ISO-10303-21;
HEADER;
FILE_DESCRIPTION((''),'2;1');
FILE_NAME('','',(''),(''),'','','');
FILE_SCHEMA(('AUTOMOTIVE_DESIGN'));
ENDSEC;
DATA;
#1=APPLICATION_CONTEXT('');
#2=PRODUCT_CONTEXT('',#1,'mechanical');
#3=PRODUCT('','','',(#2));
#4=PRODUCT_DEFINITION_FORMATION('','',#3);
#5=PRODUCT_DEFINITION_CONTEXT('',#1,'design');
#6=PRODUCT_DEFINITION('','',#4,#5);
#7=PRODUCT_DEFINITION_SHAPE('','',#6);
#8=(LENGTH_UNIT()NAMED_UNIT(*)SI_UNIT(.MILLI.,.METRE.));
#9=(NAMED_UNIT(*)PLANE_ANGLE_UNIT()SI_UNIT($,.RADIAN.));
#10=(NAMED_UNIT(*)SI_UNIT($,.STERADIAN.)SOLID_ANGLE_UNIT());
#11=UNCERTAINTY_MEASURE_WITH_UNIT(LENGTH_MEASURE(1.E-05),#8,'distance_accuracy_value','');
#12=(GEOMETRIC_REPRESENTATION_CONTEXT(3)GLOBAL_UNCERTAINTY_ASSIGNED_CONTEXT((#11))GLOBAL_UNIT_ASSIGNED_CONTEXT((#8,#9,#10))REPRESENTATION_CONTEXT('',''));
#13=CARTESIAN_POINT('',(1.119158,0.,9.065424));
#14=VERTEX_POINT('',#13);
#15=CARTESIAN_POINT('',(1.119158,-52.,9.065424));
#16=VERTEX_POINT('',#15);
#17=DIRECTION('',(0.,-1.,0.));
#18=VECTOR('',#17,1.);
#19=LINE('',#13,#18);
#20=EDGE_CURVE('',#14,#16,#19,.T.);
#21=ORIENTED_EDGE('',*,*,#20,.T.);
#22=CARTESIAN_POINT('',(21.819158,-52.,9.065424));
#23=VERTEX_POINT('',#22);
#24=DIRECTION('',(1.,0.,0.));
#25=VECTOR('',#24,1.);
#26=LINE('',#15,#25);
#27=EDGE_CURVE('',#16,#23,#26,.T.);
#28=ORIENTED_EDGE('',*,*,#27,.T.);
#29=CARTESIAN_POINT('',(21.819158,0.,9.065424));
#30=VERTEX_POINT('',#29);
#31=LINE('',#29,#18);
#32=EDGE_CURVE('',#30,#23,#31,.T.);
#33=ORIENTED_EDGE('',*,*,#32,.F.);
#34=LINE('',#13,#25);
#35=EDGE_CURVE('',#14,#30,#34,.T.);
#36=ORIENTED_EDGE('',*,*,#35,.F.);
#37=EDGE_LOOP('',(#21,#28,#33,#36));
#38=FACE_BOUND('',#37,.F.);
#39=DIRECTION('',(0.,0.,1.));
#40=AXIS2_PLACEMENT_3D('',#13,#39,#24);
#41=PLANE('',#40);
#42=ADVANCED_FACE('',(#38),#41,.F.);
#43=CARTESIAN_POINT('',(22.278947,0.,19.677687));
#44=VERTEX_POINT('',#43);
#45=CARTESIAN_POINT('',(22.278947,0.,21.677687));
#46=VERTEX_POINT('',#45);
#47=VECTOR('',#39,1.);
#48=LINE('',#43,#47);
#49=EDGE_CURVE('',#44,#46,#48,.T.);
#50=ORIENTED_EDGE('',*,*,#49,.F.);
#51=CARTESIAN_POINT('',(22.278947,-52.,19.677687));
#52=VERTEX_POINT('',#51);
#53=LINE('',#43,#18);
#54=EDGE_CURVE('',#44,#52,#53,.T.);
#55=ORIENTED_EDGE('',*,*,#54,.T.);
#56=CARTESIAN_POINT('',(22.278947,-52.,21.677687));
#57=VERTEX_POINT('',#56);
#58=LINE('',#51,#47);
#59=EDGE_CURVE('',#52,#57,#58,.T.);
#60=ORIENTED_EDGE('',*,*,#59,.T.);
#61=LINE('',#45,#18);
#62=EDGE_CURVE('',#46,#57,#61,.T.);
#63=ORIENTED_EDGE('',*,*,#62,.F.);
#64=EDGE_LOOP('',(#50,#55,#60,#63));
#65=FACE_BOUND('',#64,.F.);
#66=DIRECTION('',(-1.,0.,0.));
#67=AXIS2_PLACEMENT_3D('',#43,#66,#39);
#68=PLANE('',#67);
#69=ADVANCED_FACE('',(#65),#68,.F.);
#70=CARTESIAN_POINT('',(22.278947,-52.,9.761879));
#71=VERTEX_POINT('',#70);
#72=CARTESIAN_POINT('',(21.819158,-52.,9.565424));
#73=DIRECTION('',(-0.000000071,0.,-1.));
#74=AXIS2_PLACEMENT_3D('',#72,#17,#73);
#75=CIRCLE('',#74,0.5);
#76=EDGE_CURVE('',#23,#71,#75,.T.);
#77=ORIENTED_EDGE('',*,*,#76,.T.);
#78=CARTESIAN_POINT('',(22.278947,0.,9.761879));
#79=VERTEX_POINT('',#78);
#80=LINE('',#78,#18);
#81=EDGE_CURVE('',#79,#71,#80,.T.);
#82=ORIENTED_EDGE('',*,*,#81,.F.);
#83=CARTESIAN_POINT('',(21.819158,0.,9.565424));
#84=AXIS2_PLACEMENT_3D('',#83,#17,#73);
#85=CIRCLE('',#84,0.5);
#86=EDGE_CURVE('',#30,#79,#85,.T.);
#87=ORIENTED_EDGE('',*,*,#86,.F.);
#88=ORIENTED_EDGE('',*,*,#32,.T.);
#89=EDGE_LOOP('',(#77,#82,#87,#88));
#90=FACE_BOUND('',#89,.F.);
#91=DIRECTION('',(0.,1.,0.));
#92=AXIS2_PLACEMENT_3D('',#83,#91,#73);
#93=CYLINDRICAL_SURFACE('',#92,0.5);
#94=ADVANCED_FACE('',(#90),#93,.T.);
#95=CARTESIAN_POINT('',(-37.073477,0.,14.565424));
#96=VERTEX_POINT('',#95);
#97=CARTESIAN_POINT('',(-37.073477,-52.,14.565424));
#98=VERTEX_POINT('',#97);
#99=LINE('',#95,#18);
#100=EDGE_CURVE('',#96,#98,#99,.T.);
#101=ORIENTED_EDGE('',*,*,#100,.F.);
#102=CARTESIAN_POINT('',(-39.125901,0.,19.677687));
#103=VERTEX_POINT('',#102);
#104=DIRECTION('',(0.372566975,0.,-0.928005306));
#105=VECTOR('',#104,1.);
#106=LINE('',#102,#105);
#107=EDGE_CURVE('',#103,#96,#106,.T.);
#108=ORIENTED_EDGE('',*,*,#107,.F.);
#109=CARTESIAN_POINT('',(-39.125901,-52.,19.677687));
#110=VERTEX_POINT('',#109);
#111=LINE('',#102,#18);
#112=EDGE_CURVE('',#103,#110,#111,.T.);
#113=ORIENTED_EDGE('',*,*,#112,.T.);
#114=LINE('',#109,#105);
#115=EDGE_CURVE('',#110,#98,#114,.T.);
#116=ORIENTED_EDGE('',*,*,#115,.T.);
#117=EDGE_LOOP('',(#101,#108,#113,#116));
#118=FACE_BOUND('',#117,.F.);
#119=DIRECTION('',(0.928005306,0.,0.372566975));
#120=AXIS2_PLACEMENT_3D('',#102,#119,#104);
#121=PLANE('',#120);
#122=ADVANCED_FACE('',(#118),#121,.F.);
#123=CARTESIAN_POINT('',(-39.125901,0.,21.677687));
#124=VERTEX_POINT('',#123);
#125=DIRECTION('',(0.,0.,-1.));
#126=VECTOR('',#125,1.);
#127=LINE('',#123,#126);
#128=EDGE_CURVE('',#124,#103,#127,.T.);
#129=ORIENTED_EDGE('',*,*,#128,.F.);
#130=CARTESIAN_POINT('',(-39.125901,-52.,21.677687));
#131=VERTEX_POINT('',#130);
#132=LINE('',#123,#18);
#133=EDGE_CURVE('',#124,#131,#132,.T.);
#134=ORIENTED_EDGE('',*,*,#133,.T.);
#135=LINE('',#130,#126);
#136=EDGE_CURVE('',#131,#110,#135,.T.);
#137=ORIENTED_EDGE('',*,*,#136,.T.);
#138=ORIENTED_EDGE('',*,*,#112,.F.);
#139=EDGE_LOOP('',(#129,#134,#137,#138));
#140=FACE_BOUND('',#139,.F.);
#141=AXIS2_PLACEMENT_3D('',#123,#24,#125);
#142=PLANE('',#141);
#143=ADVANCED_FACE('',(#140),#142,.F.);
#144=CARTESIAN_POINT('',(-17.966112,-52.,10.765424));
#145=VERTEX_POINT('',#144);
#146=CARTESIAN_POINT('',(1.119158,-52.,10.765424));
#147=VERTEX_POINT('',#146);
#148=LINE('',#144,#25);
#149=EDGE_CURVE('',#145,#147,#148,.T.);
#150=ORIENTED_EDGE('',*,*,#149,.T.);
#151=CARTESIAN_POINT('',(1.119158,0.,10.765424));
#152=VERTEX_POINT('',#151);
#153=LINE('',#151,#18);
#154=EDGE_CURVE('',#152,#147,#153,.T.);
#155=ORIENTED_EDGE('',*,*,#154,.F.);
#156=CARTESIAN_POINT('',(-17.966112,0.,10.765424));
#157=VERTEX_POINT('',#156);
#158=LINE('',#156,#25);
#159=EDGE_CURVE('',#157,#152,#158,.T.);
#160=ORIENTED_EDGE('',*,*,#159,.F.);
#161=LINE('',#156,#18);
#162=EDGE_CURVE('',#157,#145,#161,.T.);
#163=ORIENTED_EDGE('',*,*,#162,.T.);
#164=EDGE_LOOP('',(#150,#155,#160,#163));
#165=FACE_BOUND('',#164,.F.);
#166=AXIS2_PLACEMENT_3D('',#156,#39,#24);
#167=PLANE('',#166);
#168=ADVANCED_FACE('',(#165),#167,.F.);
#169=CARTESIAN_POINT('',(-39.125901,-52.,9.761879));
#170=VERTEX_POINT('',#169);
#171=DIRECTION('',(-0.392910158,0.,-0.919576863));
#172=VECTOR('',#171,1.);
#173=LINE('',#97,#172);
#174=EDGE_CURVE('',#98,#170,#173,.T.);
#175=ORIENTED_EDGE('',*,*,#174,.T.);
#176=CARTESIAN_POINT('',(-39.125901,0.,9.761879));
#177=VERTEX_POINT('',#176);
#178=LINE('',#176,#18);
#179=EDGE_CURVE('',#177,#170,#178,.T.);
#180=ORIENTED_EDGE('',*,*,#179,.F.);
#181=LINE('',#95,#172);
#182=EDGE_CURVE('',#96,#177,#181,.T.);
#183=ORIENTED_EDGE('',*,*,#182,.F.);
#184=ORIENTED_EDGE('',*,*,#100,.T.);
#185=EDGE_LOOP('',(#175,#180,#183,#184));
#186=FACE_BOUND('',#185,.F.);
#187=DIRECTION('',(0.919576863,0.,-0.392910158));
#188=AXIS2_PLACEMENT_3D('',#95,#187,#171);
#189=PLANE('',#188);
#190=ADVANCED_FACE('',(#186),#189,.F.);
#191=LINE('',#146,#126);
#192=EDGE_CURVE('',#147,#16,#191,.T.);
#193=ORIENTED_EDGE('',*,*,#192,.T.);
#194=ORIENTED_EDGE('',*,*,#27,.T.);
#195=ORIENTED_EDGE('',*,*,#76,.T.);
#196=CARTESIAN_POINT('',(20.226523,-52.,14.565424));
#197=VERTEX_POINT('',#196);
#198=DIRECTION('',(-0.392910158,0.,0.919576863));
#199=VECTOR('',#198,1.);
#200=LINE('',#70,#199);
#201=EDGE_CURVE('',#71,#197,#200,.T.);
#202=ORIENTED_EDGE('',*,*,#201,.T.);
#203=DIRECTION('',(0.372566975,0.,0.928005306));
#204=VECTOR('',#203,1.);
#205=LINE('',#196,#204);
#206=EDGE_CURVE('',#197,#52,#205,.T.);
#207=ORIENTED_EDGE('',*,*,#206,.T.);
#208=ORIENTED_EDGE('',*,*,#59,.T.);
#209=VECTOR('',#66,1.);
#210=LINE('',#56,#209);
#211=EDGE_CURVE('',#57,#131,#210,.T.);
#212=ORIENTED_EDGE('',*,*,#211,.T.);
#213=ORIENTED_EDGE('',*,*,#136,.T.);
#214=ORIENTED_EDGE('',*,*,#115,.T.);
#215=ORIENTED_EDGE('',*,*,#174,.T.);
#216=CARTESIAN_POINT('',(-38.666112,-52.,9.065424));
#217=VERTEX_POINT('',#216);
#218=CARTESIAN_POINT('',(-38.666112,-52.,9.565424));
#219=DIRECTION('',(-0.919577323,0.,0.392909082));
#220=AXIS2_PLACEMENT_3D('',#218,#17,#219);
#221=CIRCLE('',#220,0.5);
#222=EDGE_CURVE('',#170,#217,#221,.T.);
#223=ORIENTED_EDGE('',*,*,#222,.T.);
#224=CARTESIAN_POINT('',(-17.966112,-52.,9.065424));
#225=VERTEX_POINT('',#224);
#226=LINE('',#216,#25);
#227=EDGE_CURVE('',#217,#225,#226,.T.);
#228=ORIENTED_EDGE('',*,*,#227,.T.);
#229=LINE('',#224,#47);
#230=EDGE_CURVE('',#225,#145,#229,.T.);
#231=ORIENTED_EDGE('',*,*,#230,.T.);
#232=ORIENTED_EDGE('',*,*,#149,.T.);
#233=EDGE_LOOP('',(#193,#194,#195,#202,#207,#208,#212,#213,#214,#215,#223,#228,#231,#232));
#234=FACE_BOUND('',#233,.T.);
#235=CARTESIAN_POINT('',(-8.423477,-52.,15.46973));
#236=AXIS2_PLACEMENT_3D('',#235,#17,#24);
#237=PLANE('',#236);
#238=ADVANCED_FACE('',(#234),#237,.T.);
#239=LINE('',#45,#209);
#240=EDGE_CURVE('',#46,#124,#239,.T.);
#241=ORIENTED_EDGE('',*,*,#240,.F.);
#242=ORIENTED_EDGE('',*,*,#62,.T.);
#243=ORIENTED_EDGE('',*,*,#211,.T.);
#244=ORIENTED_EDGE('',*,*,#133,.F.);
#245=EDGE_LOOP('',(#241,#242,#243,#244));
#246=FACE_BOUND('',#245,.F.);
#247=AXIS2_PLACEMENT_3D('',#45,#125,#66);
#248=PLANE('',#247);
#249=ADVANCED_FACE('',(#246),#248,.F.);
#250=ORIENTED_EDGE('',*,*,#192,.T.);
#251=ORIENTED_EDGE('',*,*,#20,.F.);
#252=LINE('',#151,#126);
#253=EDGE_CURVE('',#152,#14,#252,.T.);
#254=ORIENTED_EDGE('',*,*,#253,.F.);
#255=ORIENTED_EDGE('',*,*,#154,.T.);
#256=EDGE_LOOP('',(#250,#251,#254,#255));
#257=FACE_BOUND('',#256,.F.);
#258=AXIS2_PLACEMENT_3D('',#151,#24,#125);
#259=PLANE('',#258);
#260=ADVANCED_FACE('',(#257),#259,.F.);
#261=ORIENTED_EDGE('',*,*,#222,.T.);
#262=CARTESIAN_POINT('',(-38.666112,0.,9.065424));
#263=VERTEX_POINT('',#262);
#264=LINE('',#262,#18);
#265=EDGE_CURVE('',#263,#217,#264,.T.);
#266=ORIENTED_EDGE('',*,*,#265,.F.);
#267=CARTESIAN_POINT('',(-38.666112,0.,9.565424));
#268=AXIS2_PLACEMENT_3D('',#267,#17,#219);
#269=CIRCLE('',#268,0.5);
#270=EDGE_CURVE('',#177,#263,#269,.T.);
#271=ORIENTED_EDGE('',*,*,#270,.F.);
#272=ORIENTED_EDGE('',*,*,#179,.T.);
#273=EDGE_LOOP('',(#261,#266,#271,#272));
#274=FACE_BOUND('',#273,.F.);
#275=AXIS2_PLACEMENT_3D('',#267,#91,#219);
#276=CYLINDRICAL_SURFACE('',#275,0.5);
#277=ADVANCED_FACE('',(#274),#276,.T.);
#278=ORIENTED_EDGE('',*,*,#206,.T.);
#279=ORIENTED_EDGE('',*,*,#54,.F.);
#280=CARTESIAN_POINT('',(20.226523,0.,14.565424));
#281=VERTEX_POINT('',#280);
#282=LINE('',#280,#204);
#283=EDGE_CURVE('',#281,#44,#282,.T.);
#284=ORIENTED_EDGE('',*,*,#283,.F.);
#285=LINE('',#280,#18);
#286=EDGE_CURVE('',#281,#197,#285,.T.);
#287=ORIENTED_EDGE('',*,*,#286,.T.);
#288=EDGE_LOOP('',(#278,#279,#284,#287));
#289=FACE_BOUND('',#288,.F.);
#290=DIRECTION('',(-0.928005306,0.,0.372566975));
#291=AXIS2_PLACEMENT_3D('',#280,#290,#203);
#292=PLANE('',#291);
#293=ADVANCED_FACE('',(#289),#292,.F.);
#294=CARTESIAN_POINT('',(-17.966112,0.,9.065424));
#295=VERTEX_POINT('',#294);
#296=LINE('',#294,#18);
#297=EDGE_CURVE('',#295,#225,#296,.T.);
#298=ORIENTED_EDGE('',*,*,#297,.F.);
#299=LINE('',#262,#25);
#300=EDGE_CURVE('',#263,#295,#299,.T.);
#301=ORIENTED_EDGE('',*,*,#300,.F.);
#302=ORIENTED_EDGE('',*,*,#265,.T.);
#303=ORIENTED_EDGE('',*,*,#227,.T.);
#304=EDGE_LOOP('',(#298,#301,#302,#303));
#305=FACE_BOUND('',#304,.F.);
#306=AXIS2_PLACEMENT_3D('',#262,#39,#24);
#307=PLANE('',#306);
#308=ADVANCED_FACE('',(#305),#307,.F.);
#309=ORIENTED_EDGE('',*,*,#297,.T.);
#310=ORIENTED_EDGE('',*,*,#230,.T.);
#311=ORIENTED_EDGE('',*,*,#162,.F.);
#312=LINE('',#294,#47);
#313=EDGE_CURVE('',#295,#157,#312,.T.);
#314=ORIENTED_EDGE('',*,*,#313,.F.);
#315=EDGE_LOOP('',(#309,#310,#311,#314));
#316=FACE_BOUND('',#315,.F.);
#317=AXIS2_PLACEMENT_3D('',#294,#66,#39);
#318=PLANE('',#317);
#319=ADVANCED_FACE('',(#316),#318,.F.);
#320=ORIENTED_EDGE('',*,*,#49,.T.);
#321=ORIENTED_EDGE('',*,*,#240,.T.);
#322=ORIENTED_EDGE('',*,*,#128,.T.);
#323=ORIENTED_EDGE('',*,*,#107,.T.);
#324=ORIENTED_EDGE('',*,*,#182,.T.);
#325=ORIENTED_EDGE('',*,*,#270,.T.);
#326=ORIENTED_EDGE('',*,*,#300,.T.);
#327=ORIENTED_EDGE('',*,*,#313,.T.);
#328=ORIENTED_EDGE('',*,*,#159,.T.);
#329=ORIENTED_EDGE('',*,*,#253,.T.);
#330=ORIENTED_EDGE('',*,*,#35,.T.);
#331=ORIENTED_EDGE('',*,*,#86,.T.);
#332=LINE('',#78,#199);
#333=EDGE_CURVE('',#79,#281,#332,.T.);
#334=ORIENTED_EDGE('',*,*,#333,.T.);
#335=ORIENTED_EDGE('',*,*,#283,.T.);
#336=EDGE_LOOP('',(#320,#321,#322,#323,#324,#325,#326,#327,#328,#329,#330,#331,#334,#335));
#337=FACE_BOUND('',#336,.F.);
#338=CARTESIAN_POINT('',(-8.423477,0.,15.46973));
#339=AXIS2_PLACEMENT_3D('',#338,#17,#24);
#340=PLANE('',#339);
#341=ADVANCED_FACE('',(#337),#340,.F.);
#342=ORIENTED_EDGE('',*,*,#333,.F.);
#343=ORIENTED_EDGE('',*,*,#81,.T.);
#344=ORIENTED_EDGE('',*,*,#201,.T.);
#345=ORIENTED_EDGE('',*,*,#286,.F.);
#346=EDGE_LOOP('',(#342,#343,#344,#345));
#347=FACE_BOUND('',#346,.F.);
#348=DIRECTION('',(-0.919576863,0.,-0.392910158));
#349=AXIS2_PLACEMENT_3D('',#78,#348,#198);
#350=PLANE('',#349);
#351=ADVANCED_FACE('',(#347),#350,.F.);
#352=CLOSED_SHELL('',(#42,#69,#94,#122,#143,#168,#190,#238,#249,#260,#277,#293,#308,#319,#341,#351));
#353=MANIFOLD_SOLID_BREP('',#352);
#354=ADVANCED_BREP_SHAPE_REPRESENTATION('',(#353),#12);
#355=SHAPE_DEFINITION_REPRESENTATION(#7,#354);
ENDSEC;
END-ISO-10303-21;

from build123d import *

# Parameters (mm, degrees)
F1_DEPTH = 52


with BuildPart() as f1:
    # F0 (on Front) → F1 (new body)
    with BuildSketch(Plane.XZ):
        with BuildLine():
            Line((-37.073477, 14.565424), (-39.125901, 9.761879))
            ThreePointArc((-39.125901, 9.761879), (-39.083382, 9.28995), (-38.666112, 9.065424))
            Line((-38.666112, 9.065424), (-17.966112, 9.065424))
            Line((-17.966112, 9.065424), (-17.966112, 10.765424))
            Line((-17.966112, 10.765424), (1.119158, 10.765424))
            Line((1.119158, 10.765424), (1.119158, 9.065424))
            Line((1.119158, 9.065424), (21.819158, 9.065424))
            ThreePointArc((21.819158, 9.065424), (22.236428, 9.28995), (22.278947, 9.761879))
            Line((22.278947, 9.761879), (20.226523, 14.565424))
            Line((20.226523, 14.565424), (22.278947, 19.677687))
            Line((22.278947, 19.677687), (22.278947, 21.677687))
            Line((22.278947, 21.677687), (-39.125901, 21.677687))
            Line((-39.125901, 21.677687), (-39.125901, 19.677687))
            Line((-39.125901, 19.677687), (-37.073477, 14.565424))
        make_face()
    extrude(amount=F1_DEPTH)


solid = f1.part
